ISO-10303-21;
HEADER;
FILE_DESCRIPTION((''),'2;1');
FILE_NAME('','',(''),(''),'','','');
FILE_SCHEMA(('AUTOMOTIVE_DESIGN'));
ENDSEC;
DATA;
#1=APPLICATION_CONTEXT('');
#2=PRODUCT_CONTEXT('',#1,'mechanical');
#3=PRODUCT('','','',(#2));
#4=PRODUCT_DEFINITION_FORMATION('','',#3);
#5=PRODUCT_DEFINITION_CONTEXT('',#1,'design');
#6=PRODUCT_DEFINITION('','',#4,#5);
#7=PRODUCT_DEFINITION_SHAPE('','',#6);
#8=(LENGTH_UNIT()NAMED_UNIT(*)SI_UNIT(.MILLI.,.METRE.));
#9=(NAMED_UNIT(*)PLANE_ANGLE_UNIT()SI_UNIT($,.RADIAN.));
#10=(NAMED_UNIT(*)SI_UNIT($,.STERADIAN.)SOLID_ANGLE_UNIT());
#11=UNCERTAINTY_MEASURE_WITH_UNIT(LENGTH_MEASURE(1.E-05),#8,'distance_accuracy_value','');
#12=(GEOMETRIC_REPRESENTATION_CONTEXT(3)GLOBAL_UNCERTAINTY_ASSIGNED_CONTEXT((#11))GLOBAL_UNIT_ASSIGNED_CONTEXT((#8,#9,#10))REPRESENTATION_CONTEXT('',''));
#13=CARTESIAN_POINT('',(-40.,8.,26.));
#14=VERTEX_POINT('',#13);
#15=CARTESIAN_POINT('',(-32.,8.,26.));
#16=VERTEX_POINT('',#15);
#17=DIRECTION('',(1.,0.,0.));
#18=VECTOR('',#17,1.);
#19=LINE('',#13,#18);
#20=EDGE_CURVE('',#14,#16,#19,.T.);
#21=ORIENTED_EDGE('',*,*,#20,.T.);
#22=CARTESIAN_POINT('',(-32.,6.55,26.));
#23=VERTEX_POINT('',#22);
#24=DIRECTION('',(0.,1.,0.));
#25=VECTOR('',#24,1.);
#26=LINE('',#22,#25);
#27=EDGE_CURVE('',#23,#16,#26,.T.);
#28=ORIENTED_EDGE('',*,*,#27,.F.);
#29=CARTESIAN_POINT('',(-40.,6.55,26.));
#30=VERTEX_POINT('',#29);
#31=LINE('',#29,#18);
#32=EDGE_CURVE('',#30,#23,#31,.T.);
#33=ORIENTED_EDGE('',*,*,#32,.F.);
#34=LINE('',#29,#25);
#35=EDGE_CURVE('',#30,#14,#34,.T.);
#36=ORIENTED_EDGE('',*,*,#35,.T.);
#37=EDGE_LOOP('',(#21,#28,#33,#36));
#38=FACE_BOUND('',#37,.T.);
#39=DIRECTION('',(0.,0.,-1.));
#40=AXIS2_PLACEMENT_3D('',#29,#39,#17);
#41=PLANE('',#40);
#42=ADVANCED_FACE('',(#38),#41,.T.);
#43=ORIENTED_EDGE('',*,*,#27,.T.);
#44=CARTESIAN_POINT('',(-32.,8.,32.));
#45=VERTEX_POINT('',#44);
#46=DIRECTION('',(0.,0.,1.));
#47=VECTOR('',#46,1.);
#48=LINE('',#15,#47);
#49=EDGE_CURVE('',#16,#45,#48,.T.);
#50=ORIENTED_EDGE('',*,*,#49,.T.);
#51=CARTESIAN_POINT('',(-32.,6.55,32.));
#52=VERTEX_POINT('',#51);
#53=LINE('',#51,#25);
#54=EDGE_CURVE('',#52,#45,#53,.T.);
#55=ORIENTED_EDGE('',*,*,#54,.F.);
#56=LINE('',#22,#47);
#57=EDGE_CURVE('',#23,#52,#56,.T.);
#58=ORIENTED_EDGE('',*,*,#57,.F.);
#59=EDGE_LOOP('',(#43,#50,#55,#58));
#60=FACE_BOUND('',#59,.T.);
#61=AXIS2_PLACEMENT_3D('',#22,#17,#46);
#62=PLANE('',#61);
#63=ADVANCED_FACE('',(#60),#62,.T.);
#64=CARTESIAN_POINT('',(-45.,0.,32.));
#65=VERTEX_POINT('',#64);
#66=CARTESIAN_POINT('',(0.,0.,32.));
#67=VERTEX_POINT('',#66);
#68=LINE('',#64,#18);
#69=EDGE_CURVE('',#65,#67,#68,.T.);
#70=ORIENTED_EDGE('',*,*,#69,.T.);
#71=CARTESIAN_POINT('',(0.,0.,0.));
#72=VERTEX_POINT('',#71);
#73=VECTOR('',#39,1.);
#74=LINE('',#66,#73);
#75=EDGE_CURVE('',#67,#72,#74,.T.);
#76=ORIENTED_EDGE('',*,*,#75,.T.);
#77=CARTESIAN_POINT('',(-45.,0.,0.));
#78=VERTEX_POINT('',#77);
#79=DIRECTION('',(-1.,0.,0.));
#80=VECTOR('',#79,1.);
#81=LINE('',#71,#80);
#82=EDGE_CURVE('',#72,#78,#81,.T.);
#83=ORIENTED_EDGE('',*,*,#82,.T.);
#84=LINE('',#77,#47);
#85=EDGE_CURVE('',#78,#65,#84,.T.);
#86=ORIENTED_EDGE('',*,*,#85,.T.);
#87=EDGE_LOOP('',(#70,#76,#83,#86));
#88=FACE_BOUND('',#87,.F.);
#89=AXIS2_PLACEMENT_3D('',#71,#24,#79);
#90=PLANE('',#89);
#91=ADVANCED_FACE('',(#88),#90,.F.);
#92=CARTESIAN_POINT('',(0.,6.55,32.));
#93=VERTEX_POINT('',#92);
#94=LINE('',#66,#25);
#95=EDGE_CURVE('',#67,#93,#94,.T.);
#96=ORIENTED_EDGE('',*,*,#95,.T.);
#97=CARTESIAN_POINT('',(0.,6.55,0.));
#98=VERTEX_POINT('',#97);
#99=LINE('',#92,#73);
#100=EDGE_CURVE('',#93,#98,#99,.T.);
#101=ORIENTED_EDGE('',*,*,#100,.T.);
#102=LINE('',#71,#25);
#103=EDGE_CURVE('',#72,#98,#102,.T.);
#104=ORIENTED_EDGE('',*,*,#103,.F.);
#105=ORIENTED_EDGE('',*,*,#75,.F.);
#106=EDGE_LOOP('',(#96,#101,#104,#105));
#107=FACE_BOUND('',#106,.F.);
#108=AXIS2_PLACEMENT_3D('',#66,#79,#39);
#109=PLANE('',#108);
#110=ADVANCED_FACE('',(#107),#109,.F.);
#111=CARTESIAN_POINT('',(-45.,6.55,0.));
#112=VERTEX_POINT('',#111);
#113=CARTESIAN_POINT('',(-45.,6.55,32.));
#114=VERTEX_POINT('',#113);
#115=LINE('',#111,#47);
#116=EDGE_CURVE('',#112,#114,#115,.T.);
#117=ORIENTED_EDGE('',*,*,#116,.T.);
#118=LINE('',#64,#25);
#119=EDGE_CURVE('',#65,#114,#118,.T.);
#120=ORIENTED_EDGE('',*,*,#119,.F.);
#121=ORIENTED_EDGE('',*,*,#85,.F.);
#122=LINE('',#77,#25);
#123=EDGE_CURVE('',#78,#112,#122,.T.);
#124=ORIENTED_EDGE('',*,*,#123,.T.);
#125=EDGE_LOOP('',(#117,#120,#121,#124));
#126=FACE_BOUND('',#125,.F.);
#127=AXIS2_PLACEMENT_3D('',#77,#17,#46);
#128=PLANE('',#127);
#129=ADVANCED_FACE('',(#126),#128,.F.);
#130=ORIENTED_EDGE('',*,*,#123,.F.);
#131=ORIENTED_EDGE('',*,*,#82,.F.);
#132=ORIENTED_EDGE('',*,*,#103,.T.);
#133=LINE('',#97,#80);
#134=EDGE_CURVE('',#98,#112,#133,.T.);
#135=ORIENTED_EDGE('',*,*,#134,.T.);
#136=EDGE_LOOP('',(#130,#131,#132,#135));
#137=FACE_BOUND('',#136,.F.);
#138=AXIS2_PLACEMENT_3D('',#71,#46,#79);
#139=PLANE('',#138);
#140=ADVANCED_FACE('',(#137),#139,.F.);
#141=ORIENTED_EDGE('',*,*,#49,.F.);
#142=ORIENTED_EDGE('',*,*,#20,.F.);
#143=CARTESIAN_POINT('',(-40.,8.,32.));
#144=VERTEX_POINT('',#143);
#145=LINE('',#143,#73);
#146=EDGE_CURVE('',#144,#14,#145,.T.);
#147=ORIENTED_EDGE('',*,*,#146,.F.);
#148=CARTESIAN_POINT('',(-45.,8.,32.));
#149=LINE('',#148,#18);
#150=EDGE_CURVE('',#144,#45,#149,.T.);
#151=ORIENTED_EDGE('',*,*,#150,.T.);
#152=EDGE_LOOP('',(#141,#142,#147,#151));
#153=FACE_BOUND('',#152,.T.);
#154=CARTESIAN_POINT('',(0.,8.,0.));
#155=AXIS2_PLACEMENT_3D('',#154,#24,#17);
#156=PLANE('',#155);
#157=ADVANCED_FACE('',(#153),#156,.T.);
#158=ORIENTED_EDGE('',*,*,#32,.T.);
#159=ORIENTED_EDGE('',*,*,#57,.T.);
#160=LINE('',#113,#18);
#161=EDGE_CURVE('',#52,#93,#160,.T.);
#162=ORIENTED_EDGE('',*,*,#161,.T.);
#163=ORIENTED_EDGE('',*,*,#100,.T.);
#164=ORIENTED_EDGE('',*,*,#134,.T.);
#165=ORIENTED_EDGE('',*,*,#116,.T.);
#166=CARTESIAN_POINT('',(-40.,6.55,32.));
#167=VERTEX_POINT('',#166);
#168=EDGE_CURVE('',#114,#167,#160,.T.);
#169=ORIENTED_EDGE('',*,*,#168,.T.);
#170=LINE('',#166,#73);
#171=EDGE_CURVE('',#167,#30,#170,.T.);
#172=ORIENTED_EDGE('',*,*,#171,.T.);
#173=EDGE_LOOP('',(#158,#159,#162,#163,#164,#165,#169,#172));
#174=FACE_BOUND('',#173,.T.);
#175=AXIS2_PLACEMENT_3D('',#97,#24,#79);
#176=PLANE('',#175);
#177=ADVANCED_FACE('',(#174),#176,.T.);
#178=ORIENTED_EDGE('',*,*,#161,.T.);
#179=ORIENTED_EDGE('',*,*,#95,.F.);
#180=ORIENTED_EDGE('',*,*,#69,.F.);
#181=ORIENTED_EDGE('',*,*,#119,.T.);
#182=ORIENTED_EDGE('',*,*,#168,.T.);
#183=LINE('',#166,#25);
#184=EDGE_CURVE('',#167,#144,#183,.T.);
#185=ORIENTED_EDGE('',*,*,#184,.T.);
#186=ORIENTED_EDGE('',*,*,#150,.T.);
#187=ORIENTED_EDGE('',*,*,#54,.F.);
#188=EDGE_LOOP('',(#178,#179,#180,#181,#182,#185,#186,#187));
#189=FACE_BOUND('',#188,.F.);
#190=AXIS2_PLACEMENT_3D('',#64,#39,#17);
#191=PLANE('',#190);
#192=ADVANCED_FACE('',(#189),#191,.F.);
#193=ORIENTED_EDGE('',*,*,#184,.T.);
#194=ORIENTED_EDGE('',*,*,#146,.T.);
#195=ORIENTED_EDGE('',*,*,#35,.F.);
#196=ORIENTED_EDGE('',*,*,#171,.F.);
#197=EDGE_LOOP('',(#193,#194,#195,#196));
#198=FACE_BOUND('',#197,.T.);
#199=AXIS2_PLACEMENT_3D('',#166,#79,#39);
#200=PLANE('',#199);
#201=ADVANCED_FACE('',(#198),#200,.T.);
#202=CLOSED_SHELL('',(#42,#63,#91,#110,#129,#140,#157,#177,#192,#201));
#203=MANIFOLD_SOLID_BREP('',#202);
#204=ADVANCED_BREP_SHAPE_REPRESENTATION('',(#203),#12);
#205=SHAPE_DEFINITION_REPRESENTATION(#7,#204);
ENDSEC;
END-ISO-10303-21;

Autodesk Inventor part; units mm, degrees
ref_plane "YZ Plane" through (0, 0, 0) normal (1, 0, 0) x (0, 1, 0)
ref_plane "XZ Plane" through (0, 0, 0) normal (0, 1, 0) x (-1, 0, 0)
ref_plane "XY Plane" through (0, 0, 0) normal (0, 0, 1) x (1, 0, 0)
sketch "Sketch1" plane through (0, 0, 0) normal (0, 1, 0) x (-1, 0, 0)
  line L0 (45, 32) -> (0, 32)
  line L1 (0, 32) -> (0, 0)
  line L2 (0, 0) -> (45, 0)
  line L3 (45, 0) -> (45, 32)
  dimension "d0" = 45
  dimension "d1" = 32
extrude "Extrusion1" add sketch "Sketch1" along normal blind 6.55
sketch "Sketch2" plane through (0, 6.55, 0) normal (0, 1, 0) x (1, 0, 0)
  line L0 (-45, -32) -> (0, -32) projected
  line L1 (-40, -26) -> (-32, -26)
  line L2 (-32, -26) -> (-32, -32)
  line L3 (-32, -32) -> (-40, -32)
  line L4 (-40, -32) -> (-40, -26)
  line L5 (-45, 0) -> (-45, -32) projected
  point P0 (0, 0)
  dimension "d4" = 8
  dimension "d5" = 6
  dimension "d6" = 5
extrude "Extrusion2" add sketch "Sketch2" along normal blind 1.45
properties part number "FONA" material "Acetal Resin, Black"
